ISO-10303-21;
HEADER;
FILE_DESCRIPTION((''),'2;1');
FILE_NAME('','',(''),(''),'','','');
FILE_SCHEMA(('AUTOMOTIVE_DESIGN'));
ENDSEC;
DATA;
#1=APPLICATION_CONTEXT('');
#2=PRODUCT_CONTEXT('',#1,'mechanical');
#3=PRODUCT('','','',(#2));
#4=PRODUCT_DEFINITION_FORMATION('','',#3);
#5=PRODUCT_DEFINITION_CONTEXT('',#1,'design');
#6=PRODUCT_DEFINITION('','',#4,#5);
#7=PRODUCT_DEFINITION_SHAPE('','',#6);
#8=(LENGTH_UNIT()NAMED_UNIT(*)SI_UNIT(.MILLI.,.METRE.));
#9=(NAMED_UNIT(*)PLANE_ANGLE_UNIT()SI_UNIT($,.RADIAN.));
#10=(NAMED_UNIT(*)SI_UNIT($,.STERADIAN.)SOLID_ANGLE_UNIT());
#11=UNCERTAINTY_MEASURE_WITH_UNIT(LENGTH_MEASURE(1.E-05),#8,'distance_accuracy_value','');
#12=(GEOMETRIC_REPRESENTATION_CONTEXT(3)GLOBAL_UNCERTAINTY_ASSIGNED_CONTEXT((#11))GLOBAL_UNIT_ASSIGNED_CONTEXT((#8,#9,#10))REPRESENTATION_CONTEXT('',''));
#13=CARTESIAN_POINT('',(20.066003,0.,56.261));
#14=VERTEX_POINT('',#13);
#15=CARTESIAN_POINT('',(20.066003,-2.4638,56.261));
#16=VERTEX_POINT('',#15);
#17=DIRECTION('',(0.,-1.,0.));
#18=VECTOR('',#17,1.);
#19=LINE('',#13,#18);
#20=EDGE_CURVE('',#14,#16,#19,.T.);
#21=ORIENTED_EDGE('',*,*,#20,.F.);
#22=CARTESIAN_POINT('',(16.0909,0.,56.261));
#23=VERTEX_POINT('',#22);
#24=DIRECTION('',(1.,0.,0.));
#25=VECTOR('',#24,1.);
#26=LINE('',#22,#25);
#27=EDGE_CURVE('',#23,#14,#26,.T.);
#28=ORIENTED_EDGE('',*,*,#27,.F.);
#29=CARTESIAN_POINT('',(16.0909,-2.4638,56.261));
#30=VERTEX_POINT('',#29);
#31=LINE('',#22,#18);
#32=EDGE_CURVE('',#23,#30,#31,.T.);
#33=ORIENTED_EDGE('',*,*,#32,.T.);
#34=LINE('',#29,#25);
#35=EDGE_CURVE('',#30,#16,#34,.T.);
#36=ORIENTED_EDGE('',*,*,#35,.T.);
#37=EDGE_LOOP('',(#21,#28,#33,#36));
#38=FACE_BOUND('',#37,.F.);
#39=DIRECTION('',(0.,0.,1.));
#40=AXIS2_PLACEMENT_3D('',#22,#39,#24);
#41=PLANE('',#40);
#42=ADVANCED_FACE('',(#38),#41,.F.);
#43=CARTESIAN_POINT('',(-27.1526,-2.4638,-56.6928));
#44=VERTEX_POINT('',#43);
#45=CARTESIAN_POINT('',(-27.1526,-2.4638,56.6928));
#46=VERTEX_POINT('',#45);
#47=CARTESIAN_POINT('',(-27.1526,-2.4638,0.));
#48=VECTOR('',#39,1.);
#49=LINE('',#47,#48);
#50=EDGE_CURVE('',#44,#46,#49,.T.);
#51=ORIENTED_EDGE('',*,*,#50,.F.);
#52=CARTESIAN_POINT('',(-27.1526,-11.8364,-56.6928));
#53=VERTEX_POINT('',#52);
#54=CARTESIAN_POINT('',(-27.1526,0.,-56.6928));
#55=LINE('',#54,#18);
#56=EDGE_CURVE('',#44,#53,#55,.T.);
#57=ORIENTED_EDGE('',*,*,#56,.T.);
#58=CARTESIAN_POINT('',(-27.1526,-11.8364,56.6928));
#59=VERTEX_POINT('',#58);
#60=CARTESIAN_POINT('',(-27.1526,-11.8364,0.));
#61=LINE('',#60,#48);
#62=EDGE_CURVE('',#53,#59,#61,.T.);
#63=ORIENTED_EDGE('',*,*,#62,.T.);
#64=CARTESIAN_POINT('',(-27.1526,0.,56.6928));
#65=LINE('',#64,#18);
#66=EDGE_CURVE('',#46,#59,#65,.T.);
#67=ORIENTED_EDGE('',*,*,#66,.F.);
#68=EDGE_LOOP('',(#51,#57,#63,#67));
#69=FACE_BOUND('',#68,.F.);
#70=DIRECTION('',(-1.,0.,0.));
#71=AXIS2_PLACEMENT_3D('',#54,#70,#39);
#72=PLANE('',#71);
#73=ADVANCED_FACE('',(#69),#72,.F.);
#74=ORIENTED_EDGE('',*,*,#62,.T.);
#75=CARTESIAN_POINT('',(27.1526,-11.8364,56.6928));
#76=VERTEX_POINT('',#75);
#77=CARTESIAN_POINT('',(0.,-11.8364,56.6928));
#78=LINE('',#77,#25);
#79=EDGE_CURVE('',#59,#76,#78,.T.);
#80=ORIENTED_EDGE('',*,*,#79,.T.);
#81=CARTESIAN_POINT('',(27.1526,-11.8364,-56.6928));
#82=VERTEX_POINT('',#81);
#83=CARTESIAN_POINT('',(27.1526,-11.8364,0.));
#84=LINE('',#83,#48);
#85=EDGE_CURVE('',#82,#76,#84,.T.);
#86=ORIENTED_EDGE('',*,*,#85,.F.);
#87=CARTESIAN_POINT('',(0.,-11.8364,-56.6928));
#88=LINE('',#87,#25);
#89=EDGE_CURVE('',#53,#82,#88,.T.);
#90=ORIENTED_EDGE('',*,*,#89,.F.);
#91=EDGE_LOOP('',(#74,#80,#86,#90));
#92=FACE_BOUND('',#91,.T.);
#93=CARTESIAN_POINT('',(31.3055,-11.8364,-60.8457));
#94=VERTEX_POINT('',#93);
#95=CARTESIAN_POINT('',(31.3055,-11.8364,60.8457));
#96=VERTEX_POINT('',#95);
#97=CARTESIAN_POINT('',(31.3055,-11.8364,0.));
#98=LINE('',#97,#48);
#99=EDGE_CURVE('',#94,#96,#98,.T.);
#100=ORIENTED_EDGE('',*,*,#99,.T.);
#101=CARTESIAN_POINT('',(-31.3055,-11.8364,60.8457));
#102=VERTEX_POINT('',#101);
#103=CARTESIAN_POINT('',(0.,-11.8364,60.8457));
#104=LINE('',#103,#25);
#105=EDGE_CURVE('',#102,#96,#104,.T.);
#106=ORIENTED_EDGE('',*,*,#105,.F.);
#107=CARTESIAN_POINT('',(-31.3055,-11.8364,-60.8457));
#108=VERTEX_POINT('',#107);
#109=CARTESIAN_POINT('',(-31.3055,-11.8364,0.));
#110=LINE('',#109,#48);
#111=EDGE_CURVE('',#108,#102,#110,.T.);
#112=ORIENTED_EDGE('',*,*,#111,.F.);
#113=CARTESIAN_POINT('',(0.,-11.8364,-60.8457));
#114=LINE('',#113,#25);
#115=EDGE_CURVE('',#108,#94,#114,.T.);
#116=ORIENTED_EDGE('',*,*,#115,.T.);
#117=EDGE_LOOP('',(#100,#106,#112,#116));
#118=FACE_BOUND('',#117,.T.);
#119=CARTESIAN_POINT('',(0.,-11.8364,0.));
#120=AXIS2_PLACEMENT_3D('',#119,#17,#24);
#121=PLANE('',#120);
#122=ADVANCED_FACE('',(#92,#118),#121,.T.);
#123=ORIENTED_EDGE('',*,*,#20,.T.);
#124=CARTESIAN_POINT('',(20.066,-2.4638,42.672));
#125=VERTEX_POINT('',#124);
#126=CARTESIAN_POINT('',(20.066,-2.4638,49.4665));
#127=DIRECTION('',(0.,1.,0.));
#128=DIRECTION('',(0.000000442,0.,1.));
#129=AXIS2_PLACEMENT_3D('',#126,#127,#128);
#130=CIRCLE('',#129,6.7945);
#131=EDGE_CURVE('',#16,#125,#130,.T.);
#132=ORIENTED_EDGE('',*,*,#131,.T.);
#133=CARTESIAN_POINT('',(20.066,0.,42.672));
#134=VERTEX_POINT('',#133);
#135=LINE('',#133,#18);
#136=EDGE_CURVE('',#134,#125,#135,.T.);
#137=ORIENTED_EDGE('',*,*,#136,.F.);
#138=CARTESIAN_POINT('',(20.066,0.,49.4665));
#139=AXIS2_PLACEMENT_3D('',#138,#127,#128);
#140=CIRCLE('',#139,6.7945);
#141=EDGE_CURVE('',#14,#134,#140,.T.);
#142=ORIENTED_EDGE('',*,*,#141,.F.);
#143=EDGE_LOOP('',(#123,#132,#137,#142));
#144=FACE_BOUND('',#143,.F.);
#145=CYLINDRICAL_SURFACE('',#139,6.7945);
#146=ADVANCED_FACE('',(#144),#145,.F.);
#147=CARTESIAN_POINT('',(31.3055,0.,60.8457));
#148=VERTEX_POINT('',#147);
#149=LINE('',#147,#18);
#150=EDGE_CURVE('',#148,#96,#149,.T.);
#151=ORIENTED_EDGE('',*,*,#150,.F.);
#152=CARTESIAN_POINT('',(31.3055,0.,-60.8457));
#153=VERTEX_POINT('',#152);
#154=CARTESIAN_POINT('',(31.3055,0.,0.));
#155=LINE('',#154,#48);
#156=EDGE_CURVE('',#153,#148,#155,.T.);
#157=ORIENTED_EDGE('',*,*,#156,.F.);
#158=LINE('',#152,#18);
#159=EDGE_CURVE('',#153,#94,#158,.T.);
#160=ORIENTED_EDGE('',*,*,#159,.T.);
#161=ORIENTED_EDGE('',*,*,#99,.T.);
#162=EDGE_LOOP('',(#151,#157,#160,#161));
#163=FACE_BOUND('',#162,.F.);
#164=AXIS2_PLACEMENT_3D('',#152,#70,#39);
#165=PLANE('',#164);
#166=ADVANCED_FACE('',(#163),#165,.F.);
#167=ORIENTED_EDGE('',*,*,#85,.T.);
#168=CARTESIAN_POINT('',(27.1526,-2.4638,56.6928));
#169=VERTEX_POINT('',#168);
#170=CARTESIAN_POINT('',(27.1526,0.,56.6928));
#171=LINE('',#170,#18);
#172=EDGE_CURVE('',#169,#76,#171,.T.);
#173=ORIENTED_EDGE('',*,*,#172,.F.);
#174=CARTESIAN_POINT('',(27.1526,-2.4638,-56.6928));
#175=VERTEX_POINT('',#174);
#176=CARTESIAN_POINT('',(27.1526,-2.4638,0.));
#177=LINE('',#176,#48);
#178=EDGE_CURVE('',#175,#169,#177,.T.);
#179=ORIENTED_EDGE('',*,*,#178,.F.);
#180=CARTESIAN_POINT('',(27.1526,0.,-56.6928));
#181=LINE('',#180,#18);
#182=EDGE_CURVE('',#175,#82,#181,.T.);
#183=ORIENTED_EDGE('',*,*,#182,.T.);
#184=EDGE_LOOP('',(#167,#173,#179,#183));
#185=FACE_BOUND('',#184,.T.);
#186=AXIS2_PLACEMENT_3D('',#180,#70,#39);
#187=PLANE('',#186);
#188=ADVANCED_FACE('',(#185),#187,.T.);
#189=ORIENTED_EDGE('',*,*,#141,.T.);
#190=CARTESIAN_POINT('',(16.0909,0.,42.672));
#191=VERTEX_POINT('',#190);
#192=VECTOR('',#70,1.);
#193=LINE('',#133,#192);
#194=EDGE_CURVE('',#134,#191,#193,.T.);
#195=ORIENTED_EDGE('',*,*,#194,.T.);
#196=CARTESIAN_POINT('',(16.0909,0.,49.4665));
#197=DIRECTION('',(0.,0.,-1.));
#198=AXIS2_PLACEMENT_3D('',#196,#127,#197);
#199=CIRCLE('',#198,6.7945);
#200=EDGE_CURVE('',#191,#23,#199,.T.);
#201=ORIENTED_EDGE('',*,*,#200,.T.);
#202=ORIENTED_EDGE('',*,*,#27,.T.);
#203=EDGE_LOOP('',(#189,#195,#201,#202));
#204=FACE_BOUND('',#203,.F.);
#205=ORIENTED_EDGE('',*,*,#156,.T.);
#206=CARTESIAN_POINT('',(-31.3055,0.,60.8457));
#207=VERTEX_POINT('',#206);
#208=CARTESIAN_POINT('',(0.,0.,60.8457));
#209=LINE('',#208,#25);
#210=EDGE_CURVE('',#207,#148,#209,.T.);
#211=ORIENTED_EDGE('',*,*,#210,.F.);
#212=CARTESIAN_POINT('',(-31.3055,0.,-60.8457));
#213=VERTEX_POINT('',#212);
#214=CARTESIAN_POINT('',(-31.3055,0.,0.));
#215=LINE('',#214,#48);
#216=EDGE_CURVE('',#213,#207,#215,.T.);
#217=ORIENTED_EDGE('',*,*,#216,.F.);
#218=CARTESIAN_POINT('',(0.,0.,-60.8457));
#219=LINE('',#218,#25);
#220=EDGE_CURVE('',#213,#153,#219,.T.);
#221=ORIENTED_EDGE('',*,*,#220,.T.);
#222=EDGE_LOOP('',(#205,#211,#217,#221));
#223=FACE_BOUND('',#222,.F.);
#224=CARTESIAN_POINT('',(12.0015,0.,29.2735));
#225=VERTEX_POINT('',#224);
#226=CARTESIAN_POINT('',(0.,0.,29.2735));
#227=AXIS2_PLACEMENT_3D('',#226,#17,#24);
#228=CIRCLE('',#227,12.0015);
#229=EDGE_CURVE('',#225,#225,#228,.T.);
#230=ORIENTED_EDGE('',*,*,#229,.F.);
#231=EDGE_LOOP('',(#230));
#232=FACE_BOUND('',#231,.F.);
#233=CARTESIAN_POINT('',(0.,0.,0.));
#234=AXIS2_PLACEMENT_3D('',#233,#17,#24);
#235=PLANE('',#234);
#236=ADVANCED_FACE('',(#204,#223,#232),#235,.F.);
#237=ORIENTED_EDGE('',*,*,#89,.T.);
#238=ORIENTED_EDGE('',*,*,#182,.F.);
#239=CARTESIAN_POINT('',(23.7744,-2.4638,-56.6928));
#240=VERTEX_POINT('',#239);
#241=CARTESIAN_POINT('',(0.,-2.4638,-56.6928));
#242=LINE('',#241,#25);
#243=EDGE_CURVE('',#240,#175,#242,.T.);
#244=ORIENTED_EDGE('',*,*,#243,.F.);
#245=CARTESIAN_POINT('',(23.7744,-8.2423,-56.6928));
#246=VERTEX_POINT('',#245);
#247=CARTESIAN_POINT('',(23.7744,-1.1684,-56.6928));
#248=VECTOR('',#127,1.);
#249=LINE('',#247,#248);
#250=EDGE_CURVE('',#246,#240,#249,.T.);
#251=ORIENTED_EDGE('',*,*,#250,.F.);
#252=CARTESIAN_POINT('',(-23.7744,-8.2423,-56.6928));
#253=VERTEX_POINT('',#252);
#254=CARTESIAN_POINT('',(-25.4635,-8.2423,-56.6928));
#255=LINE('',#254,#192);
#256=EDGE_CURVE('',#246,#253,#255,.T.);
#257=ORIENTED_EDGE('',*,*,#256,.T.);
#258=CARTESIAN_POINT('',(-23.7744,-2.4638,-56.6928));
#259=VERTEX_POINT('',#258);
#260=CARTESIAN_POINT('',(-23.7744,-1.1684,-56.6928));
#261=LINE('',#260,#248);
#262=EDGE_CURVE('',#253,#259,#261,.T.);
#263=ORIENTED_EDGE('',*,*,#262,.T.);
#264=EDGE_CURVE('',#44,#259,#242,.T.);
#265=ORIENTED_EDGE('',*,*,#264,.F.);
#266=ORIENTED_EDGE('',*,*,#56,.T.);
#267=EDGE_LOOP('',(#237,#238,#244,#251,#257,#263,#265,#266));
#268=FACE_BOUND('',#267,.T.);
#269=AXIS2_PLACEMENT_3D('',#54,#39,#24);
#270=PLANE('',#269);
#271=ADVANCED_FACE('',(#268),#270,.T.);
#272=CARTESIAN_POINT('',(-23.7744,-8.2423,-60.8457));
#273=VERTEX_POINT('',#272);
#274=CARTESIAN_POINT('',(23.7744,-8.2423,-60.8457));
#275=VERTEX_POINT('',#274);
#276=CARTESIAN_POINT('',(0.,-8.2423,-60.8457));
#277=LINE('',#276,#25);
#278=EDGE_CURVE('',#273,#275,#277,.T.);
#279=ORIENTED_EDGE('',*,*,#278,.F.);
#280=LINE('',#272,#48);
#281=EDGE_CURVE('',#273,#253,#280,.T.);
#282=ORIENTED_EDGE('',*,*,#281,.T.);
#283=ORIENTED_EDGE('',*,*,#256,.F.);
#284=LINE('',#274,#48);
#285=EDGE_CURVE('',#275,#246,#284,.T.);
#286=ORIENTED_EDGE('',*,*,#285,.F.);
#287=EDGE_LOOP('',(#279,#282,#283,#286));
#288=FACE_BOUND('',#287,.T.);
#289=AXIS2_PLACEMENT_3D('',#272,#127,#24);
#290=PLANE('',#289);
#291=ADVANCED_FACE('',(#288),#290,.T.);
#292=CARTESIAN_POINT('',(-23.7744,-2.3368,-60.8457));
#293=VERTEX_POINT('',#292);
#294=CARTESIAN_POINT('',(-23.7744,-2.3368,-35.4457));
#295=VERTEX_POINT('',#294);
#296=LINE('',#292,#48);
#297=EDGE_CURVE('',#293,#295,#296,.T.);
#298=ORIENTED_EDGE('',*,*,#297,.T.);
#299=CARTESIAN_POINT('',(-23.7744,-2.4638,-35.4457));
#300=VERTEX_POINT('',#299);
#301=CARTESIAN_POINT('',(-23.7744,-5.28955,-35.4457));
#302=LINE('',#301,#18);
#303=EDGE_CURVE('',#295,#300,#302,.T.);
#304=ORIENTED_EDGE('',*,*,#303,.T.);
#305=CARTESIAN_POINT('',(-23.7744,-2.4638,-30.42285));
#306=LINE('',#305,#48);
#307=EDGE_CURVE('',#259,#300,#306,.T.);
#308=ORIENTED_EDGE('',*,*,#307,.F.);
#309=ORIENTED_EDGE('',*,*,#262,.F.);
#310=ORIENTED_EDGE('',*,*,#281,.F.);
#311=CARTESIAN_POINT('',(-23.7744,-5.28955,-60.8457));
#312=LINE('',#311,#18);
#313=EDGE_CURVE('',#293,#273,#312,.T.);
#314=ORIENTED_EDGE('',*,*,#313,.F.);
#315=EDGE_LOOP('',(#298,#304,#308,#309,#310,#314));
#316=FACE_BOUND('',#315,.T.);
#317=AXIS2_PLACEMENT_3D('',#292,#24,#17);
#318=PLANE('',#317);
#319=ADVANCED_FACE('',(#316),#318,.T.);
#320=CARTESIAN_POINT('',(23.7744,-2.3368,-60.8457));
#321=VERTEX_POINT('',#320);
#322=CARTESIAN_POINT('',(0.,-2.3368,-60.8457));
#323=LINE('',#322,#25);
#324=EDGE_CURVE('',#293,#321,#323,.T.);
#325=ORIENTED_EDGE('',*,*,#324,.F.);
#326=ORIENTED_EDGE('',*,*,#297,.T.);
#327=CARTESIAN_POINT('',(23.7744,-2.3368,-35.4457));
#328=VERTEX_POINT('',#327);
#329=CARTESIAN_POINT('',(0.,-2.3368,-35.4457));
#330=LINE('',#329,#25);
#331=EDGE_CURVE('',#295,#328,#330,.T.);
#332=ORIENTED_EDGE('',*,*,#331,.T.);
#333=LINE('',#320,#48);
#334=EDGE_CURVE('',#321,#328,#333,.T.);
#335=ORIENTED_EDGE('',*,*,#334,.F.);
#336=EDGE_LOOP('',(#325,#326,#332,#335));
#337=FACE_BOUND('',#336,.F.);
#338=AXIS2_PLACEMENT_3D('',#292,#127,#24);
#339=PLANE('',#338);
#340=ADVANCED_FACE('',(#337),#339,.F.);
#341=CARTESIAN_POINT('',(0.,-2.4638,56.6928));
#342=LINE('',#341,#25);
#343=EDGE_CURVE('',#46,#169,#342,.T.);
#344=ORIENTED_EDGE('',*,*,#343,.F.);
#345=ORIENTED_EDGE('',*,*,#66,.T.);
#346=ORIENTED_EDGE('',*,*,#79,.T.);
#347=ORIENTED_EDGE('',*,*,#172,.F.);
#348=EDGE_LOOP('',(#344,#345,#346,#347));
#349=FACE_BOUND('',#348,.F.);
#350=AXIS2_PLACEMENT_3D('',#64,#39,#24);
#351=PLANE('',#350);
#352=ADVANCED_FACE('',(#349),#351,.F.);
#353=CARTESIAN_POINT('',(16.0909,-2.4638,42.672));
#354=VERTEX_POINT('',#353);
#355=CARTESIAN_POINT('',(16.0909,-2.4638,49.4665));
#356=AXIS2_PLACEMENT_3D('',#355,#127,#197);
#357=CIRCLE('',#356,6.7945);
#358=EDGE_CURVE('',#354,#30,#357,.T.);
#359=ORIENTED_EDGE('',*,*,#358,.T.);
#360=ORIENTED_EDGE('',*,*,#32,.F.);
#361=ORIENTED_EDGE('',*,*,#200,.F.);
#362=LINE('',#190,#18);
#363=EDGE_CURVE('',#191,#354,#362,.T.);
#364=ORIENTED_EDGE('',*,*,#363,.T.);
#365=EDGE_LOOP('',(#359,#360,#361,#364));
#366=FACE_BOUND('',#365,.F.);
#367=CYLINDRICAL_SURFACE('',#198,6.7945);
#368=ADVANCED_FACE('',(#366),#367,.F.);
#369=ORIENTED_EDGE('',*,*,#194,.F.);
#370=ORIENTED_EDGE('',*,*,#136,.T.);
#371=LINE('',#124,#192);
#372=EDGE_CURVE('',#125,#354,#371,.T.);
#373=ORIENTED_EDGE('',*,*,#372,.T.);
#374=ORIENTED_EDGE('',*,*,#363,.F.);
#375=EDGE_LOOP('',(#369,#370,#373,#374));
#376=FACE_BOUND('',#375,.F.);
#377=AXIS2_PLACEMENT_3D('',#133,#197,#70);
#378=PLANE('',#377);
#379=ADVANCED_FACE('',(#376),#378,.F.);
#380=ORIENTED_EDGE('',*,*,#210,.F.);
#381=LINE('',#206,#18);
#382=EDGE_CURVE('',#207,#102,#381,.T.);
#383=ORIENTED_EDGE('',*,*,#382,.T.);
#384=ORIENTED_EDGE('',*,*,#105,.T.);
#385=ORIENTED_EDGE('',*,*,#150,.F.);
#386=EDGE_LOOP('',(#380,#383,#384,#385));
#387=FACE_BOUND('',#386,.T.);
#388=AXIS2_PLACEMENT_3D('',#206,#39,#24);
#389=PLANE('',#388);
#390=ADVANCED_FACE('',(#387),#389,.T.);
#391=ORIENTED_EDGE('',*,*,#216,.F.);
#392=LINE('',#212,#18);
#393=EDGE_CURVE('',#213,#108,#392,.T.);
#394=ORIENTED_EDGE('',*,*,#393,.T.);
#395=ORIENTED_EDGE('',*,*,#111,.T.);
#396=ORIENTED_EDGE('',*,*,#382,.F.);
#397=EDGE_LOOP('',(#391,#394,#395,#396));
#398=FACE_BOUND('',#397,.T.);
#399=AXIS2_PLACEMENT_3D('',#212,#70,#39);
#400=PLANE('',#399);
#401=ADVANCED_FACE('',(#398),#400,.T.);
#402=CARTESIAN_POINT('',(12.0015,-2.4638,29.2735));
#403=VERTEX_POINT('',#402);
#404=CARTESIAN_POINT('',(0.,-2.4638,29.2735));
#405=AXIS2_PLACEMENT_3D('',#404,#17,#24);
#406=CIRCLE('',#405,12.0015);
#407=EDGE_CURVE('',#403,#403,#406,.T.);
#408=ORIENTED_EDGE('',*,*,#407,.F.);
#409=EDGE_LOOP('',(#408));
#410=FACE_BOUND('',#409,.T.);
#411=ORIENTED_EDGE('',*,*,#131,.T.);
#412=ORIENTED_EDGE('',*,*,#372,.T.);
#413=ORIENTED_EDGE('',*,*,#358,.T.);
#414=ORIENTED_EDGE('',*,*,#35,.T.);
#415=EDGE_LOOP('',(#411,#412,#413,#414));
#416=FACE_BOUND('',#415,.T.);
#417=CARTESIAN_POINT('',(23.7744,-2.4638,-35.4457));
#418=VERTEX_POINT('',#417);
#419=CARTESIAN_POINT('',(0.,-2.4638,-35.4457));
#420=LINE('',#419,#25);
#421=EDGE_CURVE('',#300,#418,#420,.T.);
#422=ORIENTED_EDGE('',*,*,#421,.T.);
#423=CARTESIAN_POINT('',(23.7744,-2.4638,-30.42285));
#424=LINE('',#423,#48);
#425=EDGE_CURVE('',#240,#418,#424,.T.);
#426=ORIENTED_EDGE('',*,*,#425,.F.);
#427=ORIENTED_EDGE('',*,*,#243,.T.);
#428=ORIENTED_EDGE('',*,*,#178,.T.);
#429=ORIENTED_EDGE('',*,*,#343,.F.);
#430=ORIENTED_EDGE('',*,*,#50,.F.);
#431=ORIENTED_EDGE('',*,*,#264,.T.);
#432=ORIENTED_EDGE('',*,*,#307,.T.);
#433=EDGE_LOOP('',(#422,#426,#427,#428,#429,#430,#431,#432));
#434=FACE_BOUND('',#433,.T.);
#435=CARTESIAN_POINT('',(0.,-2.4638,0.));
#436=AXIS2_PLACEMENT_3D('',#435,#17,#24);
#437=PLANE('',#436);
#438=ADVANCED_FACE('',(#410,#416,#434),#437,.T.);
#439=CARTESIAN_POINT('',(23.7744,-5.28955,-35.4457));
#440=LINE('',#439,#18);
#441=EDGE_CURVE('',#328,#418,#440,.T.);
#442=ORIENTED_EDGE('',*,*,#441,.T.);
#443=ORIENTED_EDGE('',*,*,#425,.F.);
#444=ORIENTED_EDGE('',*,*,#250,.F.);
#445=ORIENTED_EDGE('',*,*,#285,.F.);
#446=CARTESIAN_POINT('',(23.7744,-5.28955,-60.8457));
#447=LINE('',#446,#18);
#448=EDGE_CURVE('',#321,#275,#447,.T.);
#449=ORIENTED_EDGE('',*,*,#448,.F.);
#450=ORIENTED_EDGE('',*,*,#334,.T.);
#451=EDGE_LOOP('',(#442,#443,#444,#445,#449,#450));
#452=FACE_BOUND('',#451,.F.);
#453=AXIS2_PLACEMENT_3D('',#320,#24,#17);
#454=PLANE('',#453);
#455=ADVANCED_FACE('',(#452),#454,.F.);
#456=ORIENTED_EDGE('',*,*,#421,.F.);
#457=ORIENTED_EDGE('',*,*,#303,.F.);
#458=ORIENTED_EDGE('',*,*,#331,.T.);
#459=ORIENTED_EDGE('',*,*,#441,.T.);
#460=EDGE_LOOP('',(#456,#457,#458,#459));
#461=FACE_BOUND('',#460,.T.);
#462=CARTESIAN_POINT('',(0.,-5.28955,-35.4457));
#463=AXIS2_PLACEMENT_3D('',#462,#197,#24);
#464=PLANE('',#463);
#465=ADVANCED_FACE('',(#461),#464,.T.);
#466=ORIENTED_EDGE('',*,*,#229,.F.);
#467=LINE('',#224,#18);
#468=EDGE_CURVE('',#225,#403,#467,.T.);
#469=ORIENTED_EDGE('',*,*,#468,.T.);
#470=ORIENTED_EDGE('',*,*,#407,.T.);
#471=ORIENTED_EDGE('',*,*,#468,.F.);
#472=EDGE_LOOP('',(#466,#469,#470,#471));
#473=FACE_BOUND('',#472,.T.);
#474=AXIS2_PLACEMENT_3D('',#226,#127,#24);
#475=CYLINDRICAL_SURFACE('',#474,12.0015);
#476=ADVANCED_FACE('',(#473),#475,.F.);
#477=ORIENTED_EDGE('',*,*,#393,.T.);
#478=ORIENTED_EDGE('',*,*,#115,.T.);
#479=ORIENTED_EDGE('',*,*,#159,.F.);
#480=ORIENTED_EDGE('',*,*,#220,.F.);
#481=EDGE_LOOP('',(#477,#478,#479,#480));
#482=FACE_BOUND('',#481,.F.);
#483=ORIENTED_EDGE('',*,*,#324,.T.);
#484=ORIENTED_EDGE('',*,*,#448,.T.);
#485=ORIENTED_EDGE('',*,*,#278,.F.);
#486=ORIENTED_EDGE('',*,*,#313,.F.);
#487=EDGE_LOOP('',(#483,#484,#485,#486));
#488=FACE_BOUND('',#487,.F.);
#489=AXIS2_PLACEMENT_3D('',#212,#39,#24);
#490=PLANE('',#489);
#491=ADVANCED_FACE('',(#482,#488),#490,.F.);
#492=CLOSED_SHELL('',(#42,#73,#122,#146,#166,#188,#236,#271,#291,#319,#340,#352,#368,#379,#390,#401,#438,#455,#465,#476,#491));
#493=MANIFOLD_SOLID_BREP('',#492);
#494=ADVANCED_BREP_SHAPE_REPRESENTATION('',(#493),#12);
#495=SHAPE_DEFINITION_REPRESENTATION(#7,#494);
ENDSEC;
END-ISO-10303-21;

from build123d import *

# Parameters (mm, degrees)
F0_W     = 54.3052
F0_H     = 113.3856
F0_R     = 12.0015
F1_DEPTH = 2.4638
F0_W_2   = 62.611
F0_H_2   = 121.6914
F2_DEPTH = 11.8364
F3_W     = 47.5488
F3_H     = 5.9055
F4_DEPTH = 25.4


with BuildPart() as f1:
    # F0 (on Front) → F1 (new body)
    with BuildSketch(Plane.XZ):
        Rectangle(F0_W, F0_H)
        with Locations((0, 29.2735)):
            Circle(F0_R, mode=Mode.SUBTRACT)
        with BuildLine():
            ThreePointArc((16.0909, 42.672), (9.2964, 49.4665), (16.0909, 56.261))
            Line((16.0909, 56.261), (20.066003, 56.261))
            ThreePointArc((20.066003, 56.261), (26.8605, 49.466498), (20.066, 42.672))
            Line((20.066, 42.672), (16.0909, 42.672))
        make_face(mode=Mode.SUBTRACT)
    extrude(amount=F1_DEPTH)

    # F0 (on Front) → F2 (join)
    with BuildSketch(Plane.XZ):
        Rectangle(F0_W_2, F0_H_2)
        Rectangle(F0_W, F0_H, mode=Mode.SUBTRACT)
    extrude(amount=F2_DEPTH)

    # F3 (on face) → F4 (cut)
    with BuildSketch(Plane(origin=(0, 0, -60.8457), x_dir=(1, 0, 0), z_dir=(0, 0, -1))):
        with Locations((0, 5.28955)):
            Rectangle(F3_W, F3_H)
    extrude(amount=-F4_DEPTH, mode=Mode.SUBTRACT)


solid = f1.part
